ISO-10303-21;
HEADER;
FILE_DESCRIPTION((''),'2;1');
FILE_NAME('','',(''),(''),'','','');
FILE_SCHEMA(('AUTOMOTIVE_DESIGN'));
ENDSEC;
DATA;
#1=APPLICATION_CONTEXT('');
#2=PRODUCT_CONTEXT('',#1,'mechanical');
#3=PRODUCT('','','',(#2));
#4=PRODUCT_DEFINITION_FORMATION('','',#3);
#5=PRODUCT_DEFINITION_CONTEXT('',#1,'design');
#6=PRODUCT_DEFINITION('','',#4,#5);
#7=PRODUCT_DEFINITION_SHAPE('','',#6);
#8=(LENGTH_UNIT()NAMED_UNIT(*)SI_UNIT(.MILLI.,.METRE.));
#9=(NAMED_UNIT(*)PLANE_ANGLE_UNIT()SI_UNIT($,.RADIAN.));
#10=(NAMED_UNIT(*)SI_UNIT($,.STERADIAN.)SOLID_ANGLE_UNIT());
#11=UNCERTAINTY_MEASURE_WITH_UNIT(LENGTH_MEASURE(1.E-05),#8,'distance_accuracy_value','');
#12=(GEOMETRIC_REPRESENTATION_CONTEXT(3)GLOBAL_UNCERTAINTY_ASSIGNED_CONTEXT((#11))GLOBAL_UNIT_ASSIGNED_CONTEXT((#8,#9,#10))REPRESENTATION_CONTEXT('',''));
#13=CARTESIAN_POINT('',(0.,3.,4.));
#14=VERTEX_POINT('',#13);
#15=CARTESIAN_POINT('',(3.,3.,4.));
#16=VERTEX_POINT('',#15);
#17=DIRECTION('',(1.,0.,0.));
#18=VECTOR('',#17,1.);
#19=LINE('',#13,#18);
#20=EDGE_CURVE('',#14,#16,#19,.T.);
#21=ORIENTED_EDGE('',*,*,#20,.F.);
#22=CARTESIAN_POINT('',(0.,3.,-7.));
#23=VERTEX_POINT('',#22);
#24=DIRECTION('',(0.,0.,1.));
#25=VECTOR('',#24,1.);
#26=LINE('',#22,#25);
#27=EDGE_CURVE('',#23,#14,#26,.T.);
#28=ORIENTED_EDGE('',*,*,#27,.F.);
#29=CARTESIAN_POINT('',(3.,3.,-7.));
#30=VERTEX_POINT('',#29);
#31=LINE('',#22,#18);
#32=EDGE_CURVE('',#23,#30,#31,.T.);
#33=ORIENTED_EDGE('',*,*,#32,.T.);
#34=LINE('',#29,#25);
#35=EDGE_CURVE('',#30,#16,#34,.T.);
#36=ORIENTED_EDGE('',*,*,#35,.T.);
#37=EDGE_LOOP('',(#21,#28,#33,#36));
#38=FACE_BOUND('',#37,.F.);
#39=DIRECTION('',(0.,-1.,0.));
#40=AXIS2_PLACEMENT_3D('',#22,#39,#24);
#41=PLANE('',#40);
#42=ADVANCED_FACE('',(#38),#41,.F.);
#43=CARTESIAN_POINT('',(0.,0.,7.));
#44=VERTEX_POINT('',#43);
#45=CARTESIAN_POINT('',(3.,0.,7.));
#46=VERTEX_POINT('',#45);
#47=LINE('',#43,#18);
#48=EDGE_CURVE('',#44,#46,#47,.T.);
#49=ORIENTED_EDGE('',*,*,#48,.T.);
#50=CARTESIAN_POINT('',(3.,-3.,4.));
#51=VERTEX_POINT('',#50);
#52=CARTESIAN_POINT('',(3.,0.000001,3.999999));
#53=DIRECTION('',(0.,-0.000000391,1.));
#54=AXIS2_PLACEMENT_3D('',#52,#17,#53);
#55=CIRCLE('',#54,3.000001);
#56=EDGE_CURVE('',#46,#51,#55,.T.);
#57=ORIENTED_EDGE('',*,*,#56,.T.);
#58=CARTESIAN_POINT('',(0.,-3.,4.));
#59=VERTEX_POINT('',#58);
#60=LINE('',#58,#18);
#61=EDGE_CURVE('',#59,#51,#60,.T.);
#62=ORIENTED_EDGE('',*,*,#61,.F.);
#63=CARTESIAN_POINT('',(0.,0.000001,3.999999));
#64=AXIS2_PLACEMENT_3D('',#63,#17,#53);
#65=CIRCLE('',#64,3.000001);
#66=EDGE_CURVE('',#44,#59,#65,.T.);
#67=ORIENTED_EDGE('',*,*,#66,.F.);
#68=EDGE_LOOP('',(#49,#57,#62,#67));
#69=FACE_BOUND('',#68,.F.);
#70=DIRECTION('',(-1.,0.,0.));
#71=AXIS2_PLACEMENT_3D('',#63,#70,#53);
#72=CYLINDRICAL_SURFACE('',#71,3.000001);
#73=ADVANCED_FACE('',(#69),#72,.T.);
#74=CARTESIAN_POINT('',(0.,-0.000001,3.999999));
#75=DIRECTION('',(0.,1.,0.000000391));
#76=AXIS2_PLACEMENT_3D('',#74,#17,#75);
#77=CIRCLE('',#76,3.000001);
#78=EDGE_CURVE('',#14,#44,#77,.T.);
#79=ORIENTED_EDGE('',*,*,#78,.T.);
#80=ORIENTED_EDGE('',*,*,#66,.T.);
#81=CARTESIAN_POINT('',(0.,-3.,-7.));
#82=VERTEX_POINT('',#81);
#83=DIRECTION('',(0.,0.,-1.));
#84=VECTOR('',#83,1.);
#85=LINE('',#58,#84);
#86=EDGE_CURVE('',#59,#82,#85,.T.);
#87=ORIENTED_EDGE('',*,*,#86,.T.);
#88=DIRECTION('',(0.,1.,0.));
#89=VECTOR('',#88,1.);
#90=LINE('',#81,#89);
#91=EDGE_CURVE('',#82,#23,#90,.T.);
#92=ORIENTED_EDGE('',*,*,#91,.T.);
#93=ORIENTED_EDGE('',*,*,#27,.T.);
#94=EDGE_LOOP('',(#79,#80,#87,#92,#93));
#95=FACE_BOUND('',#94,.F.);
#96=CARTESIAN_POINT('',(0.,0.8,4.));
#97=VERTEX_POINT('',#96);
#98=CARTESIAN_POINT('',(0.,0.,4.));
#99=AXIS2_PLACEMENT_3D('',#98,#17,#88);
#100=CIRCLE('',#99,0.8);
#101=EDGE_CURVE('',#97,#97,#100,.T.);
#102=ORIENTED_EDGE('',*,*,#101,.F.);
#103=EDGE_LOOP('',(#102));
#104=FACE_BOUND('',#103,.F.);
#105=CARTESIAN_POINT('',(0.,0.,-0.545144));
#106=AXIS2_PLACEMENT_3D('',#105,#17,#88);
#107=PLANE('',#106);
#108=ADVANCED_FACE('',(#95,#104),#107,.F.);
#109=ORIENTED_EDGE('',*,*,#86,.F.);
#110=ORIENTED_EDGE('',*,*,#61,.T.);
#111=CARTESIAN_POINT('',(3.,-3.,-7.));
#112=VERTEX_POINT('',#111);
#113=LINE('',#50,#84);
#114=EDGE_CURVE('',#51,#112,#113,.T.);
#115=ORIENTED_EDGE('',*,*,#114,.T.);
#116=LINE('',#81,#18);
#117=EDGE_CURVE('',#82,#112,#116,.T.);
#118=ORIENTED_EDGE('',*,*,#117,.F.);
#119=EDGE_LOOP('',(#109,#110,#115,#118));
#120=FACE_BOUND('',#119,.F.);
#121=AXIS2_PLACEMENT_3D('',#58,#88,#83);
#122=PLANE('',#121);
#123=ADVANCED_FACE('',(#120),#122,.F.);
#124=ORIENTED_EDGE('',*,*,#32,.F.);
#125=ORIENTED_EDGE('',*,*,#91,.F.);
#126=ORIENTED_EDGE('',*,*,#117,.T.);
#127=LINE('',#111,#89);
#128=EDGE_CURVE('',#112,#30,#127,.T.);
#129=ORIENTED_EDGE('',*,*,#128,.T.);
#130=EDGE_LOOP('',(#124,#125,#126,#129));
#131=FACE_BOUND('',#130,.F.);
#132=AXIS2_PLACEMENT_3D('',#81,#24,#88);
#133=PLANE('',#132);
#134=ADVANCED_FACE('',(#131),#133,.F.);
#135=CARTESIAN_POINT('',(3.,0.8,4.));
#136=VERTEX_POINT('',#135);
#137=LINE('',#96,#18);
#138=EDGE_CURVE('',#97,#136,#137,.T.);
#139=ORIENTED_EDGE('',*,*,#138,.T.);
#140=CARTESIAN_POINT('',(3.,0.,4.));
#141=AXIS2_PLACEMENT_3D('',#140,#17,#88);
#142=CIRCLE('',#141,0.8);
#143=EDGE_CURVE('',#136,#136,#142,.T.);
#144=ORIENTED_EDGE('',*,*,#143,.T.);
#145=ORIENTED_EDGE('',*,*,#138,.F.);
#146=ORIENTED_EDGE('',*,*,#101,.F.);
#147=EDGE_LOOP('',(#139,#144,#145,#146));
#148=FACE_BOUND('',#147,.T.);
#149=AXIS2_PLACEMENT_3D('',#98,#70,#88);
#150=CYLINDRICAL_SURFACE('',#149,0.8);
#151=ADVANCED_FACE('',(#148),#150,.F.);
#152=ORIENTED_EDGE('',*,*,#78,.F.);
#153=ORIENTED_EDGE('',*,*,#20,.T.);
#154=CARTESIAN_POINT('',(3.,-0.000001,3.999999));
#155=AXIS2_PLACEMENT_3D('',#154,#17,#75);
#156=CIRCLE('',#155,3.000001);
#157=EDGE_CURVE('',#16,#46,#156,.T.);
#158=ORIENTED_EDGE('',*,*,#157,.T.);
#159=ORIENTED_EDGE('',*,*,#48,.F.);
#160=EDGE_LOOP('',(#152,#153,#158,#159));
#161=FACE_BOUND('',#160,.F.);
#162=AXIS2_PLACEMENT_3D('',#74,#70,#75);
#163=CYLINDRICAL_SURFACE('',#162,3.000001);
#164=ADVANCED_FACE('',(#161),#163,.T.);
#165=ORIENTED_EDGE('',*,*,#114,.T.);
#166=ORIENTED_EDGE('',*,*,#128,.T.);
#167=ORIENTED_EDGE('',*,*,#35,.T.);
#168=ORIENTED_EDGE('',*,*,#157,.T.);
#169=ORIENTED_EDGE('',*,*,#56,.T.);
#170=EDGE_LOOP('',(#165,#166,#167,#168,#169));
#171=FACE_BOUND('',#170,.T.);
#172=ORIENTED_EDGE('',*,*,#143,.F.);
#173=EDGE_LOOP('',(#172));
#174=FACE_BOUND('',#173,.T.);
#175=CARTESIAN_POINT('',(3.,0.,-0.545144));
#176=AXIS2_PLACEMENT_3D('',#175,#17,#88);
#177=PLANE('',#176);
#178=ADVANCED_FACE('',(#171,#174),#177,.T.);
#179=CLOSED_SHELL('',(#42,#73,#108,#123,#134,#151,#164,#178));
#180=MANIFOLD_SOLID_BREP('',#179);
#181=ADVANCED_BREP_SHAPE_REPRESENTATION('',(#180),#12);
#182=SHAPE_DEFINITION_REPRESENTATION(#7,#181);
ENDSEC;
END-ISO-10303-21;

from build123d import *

# Parameters (mm, degrees)
F0_R     = 0.8
F1_DEPTH = 3


with BuildPart() as f1:
    # F0 (on Right) → F1 (new body)
    with BuildSketch(Plane.YZ):
        with BuildLine():
            Line((-3, 4), (-3, -7))
            Line((-3, -7), (3, -7))
            Line((3, -7), (3, 4))
            ThreePointArc((3, 4), (2.12132, 6.12132), (0, 7))
            ThreePointArc((0, 7), (-2.12132, 6.12132), (-3, 4))
        make_face()
        with Locations((0, 4)):
            Circle(F0_R, mode=Mode.SUBTRACT)
    extrude(amount=F1_DEPTH)


solid = f1.part
